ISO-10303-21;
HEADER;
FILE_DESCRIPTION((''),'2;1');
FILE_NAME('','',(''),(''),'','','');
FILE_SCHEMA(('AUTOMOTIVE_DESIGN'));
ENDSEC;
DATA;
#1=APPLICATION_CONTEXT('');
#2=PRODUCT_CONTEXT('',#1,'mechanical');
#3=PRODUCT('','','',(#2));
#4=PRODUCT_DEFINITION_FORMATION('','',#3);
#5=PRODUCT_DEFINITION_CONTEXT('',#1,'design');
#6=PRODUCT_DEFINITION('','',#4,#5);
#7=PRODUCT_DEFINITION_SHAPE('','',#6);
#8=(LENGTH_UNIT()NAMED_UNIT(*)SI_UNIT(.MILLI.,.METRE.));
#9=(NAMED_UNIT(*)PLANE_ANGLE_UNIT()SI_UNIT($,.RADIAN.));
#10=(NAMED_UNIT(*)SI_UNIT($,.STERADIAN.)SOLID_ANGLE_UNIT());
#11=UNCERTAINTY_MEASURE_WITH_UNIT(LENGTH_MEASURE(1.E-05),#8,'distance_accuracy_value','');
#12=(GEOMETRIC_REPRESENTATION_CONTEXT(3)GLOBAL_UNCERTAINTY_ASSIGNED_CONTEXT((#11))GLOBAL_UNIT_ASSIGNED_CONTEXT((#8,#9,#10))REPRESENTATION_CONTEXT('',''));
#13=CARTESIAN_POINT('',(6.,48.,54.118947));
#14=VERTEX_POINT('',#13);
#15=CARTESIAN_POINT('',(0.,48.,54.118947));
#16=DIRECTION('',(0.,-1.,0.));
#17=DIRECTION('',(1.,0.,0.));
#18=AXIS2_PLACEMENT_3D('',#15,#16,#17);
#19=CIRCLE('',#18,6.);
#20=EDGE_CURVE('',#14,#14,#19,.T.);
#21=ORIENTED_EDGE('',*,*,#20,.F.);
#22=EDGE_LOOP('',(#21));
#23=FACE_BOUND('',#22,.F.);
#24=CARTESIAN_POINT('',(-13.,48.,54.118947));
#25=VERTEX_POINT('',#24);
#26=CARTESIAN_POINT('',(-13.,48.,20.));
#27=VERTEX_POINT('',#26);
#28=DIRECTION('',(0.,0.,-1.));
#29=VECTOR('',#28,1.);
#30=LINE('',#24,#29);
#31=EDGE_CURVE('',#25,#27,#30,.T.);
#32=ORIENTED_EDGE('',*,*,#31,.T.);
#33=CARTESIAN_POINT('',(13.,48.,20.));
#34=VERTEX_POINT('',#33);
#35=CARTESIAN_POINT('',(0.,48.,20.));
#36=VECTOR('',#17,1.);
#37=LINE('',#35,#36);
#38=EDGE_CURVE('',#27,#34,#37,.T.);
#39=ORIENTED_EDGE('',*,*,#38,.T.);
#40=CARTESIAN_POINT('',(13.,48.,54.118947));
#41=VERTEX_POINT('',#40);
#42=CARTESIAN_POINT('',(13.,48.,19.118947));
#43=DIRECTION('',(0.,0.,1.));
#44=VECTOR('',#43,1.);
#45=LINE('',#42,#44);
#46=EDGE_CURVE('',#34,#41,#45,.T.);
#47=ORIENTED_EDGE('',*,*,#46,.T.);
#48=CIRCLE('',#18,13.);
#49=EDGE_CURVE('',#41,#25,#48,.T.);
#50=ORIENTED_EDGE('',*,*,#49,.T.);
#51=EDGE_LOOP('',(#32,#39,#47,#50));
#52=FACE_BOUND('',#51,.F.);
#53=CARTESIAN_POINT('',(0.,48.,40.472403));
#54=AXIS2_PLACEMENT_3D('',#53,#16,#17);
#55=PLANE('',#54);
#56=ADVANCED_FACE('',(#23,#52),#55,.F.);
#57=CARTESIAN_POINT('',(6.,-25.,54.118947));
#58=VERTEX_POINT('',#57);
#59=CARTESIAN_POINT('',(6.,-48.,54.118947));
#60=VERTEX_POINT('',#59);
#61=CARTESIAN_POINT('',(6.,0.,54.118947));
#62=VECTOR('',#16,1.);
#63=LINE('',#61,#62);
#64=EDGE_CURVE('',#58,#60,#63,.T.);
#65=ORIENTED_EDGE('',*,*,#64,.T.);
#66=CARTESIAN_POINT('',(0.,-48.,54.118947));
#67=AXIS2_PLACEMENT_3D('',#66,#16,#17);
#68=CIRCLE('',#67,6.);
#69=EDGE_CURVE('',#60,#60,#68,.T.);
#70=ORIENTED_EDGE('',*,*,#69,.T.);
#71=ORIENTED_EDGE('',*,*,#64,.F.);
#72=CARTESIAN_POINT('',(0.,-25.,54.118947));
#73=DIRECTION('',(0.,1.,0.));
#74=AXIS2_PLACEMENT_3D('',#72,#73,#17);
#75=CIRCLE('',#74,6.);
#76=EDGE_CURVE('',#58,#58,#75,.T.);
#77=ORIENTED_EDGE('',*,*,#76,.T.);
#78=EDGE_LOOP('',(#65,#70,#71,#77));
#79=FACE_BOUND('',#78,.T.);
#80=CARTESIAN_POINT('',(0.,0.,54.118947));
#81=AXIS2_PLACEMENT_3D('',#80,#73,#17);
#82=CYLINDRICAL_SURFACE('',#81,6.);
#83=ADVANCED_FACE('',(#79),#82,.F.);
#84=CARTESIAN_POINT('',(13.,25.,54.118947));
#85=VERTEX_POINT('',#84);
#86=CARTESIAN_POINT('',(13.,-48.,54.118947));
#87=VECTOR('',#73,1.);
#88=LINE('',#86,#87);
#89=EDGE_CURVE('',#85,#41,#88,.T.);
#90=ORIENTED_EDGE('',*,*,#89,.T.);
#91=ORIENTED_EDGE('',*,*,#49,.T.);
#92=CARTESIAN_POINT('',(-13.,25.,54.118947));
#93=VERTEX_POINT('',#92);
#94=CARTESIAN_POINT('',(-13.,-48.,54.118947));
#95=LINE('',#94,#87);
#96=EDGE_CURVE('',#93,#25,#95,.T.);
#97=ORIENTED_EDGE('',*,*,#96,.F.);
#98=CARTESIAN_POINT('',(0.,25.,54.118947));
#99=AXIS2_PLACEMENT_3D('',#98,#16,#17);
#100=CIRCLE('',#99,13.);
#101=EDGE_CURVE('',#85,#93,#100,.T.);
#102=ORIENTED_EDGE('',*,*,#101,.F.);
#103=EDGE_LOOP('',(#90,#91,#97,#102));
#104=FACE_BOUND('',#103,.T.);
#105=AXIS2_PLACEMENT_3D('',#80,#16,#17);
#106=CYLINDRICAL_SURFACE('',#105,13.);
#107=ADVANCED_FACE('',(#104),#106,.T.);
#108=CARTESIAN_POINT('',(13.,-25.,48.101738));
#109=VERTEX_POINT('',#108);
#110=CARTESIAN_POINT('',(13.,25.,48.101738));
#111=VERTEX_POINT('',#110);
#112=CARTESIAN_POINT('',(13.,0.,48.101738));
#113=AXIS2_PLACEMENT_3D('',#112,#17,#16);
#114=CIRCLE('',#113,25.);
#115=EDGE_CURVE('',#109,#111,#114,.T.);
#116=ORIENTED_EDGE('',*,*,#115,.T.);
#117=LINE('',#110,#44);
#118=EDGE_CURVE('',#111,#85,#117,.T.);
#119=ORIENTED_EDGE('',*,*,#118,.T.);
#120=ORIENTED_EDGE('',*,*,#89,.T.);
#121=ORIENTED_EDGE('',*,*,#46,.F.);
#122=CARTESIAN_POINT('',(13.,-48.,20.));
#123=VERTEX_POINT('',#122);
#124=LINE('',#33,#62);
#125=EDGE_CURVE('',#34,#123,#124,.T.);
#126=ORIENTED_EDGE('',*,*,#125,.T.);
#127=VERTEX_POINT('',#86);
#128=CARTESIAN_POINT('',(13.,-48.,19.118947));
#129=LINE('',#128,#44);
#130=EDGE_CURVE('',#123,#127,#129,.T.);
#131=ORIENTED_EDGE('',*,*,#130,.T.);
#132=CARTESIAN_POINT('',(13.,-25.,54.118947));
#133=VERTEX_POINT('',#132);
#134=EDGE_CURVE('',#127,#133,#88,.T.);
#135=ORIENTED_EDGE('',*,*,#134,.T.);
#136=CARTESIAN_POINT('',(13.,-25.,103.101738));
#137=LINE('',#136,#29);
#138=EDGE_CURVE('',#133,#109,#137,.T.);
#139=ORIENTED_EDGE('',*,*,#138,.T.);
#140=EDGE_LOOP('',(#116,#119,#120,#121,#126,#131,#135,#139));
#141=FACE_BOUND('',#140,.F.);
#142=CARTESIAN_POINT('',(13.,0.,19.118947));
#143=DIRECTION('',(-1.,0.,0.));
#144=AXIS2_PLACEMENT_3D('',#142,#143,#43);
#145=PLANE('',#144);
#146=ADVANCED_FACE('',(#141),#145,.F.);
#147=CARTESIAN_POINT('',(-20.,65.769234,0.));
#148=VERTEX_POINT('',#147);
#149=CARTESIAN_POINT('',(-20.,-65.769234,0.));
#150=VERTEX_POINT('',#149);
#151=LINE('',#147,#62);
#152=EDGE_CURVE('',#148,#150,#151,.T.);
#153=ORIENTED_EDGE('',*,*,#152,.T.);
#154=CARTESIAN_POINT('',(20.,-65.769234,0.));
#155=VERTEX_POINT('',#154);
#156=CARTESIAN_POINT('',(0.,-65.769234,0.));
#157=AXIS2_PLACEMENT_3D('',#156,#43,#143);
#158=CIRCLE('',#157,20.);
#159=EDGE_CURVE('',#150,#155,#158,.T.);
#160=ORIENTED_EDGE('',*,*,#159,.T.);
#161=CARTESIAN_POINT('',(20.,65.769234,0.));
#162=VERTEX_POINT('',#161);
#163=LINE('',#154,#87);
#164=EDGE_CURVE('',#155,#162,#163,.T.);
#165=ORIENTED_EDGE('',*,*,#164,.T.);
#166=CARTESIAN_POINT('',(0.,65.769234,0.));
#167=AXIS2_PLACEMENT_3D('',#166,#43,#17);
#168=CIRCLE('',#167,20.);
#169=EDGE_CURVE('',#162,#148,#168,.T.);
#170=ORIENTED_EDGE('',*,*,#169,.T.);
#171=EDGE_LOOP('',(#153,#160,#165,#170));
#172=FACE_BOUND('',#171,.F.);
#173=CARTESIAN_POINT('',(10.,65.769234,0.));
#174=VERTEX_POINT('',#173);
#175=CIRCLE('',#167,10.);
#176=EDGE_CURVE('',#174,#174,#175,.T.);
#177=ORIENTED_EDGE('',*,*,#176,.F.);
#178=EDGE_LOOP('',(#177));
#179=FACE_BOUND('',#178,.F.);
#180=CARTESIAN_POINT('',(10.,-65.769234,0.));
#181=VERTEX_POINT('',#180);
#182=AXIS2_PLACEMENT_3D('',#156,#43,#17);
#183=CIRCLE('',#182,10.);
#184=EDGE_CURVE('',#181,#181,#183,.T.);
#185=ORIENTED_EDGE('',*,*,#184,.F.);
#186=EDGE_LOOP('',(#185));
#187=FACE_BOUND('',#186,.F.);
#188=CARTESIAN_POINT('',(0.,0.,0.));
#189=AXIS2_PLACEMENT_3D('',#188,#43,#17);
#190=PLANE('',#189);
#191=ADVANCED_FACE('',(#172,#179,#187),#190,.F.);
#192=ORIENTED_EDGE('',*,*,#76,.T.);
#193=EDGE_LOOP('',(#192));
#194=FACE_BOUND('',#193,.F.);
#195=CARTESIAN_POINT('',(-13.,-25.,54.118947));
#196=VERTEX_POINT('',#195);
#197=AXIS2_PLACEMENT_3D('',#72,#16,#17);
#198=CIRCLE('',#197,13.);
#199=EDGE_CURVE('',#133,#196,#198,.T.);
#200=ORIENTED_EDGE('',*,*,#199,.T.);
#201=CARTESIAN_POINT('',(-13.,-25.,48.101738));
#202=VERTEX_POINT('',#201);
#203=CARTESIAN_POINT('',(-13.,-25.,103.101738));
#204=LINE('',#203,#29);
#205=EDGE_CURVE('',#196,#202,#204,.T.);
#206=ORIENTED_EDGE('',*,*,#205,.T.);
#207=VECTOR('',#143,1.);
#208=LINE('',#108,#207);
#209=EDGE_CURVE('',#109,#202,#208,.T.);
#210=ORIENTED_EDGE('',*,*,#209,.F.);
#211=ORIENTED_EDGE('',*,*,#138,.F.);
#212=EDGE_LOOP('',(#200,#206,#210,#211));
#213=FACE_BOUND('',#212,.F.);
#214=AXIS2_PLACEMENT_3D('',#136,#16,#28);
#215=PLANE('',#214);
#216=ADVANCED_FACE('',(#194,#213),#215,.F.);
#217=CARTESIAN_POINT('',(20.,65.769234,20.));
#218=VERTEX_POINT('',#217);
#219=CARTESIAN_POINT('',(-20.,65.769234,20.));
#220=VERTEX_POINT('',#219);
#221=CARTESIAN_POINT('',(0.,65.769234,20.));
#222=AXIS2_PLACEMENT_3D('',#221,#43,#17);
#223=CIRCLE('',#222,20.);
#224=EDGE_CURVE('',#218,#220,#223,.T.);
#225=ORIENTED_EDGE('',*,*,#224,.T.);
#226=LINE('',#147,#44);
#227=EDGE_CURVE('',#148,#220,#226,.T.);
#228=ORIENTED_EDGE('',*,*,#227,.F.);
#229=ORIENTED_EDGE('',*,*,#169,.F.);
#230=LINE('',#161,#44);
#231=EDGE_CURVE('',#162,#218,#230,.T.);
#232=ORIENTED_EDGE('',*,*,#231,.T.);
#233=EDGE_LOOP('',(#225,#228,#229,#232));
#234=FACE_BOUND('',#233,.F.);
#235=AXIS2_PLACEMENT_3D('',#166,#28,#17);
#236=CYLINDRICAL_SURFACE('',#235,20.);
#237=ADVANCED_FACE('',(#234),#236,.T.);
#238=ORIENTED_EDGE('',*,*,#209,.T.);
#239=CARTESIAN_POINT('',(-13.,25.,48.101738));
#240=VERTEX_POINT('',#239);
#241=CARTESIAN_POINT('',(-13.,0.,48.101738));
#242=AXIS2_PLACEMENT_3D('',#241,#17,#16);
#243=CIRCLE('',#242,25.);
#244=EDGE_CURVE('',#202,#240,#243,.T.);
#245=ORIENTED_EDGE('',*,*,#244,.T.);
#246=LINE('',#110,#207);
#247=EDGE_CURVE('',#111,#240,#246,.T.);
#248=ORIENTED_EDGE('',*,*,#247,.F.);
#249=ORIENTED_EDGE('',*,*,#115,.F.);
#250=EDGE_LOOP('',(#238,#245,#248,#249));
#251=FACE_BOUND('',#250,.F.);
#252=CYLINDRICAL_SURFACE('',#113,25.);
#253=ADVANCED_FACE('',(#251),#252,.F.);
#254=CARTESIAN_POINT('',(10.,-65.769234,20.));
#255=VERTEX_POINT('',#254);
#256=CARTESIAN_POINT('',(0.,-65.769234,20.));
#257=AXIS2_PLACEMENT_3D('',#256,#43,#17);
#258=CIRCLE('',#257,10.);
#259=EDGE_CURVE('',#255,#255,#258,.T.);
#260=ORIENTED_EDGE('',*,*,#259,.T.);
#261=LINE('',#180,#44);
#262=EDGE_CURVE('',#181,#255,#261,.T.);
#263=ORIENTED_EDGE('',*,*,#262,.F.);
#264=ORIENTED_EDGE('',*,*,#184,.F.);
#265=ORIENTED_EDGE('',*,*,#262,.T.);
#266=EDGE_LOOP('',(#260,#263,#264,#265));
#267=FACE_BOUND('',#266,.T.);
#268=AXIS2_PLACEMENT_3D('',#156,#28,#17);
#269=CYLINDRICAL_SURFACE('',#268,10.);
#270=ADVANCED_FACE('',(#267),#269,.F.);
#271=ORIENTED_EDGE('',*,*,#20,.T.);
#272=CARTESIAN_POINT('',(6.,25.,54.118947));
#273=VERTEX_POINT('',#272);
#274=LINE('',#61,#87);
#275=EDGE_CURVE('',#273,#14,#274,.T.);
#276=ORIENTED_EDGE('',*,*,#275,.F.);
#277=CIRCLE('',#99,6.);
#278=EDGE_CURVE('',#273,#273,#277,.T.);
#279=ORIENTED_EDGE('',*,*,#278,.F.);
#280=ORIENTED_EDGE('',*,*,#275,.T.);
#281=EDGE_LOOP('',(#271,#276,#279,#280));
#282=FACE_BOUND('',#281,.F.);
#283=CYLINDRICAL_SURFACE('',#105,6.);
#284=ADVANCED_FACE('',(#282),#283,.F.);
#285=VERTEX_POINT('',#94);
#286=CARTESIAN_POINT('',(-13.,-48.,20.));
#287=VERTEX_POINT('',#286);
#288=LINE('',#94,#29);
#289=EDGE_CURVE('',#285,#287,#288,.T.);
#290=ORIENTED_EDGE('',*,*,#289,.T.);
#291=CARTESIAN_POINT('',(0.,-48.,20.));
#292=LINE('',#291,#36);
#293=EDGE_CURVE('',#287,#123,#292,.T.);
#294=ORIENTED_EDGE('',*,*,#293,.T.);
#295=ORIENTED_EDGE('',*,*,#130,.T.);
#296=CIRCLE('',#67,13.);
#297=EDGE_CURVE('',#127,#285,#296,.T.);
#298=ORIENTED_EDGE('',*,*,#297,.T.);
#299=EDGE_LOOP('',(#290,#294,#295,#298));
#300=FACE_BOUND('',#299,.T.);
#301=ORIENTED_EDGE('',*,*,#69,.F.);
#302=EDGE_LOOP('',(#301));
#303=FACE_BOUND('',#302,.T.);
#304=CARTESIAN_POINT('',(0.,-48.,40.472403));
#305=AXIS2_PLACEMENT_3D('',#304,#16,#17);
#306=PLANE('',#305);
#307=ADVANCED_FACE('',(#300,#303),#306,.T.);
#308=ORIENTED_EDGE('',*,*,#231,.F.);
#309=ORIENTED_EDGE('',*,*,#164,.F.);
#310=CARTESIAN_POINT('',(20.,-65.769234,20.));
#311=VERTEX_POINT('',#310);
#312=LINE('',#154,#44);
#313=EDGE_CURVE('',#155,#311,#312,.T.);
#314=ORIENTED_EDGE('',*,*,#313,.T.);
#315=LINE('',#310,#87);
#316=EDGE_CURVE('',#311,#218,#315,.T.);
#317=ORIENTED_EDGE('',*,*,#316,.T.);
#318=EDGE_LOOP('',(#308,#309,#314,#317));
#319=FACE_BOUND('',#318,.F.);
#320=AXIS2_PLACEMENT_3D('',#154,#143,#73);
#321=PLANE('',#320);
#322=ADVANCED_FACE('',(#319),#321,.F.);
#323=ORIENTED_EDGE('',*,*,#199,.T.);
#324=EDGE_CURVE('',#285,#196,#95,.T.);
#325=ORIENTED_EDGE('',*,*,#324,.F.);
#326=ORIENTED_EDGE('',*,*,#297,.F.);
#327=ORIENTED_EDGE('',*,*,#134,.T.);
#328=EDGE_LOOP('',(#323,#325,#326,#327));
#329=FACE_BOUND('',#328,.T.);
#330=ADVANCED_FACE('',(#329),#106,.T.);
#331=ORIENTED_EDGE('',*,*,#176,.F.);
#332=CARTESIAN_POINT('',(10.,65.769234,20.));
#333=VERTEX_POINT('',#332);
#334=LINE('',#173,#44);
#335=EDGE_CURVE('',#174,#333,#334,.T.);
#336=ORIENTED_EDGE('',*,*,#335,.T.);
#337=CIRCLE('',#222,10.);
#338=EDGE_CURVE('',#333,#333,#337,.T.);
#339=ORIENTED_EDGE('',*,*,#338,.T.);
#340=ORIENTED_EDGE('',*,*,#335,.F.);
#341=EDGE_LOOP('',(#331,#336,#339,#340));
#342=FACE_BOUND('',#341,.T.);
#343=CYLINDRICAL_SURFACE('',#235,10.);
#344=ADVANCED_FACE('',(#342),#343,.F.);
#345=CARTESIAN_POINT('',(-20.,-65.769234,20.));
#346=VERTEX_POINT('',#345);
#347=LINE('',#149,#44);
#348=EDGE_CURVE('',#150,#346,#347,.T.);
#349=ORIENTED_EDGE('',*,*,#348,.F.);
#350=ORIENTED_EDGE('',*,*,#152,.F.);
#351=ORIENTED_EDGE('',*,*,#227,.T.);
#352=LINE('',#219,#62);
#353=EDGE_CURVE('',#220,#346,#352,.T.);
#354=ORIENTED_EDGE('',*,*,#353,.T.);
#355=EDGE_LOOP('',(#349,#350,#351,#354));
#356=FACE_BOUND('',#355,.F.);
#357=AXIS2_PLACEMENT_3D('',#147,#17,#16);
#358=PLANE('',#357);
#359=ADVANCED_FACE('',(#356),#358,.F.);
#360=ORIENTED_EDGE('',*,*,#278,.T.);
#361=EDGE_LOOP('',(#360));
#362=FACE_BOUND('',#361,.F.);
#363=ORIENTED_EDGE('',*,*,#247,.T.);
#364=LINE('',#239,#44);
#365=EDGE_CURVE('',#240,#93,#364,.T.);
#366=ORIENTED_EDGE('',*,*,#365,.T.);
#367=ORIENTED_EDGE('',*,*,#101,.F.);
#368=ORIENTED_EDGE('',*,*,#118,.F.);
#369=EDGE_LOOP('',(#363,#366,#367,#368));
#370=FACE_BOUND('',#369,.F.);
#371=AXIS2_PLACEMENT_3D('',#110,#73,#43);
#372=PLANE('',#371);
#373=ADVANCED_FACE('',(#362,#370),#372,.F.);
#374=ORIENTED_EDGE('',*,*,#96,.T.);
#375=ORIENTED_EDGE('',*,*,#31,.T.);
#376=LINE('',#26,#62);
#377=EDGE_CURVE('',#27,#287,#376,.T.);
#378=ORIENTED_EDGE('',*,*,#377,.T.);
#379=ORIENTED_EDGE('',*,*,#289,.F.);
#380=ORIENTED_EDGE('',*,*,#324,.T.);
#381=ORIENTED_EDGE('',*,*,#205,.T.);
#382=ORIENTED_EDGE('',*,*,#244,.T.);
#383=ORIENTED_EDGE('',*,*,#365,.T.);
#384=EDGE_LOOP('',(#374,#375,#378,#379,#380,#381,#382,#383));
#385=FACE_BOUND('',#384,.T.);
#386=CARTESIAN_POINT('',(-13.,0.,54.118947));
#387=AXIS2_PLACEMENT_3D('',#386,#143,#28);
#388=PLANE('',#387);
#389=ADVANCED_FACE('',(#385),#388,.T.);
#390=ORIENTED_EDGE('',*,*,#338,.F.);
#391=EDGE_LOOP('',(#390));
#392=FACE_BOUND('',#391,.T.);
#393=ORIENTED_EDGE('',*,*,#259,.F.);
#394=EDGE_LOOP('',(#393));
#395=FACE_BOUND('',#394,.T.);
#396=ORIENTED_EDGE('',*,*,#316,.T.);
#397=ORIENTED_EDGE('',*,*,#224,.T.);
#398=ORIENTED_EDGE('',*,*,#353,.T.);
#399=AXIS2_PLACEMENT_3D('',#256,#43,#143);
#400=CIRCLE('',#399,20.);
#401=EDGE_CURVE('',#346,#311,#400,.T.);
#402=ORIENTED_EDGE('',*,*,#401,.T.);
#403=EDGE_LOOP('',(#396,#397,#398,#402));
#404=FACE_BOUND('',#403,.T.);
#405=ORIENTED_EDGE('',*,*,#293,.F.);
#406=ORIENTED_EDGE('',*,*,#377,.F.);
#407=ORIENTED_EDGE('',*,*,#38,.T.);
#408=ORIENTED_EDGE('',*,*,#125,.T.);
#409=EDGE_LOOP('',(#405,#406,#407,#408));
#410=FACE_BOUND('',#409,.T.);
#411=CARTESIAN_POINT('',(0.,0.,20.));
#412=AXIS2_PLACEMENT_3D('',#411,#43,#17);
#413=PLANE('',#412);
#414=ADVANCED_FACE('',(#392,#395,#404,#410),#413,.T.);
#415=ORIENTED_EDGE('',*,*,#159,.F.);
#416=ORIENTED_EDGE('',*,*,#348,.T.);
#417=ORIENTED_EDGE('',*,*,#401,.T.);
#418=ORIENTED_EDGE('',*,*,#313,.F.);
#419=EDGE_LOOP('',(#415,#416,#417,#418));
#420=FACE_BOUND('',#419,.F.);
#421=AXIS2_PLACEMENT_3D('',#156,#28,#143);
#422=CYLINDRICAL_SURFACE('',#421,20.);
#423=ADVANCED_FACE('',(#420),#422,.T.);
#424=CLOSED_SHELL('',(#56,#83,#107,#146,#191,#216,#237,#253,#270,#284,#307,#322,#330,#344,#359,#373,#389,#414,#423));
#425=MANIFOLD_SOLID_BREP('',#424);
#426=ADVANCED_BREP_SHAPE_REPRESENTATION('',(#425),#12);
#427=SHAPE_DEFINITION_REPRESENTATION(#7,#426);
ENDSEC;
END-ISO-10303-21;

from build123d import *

# Parameters (mm, degrees)
F0_R          = 10
F1_DEPTH      = 20
F2_R          = 6
F3_DEPTH      = 48
F3_DEPTH_BACK = 48
F4_W          = 50
F4_H          = 48.9827908203
F5_DEPTH      = 26


with BuildPart() as f1:
    # F0 (on Top) → F1 (new body)
    with BuildSketch(Plane.XY):
        with BuildLine():
            Line((20, -65.7692336577), (20, 65.7692336577))
            ThreePointArc((20, 65.7692336577), (0, 85.7692336577), (-20, 65.7692336577))
            Line((-20, 65.7692336577), (-20, -65.7692336577))
            ThreePointArc((-20, -65.7692336577), (0, -85.7692336577), (20, -65.7692336577))
        make_face()
        with Locations((0, -65.7692336577)):
            Circle(F0_R, mode=Mode.SUBTRACT)
        with Locations((0, 65.7692336577)):
            Circle(F0_R, mode=Mode.SUBTRACT)
    extrude(amount=F1_DEPTH)

    # F2 (on Front) → F3 (join, two sides)
    with BuildSketch(Plane.XZ) as f3_sk:
        with BuildLine():
            Line((-13, 19.118946977), (13, 19.118946977))
            Line((13, 19.118946977), (13, 30.0338421203))
            Line((13, 30.0338421203), (13, 54.118946977))
            ThreePointArc((13, 54.118946977), (0, 67.118946977), (-13, 54.118946977))
            Line((-13, 54.118946977), (-13, 30.0338421203))
            Line((-13, 30.0338421203), (-13, 19.118946977))
        make_face()
        with Locations((0, 54.118946977)):
            Circle(F2_R, mode=Mode.SUBTRACT)
    extrude(amount=F3_DEPTH)
    extrude(f3_sk.sketch, amount=-F3_DEPTH_BACK)

    # F4 (on face) → F5 (cut, through all)
    with BuildSketch(Plane.YZ.offset(13)):
        with BuildLine():
            Line((-25.0000003725, 54.118946977), (-25.0000003725, 48.1017377973))
            ThreePointArc((-25.0000003725, 48.1017377973), (-3.725e-07, 23.1017377973), (24.9999996275, 48.1017377973))
            Line((24.9999996275, 48.1017377973), (24.9999996275, 54.118946977))
            Line((24.9999996275, 54.118946977), (-25.0000003725, 54.118946977))
        make_face()
        with Locations((-3.725e-07, 78.6103423871)):
            Rectangle(F4_W, F4_H)
    extrude(amount=-F5_DEPTH, mode=Mode.SUBTRACT)


solid = f1.part
